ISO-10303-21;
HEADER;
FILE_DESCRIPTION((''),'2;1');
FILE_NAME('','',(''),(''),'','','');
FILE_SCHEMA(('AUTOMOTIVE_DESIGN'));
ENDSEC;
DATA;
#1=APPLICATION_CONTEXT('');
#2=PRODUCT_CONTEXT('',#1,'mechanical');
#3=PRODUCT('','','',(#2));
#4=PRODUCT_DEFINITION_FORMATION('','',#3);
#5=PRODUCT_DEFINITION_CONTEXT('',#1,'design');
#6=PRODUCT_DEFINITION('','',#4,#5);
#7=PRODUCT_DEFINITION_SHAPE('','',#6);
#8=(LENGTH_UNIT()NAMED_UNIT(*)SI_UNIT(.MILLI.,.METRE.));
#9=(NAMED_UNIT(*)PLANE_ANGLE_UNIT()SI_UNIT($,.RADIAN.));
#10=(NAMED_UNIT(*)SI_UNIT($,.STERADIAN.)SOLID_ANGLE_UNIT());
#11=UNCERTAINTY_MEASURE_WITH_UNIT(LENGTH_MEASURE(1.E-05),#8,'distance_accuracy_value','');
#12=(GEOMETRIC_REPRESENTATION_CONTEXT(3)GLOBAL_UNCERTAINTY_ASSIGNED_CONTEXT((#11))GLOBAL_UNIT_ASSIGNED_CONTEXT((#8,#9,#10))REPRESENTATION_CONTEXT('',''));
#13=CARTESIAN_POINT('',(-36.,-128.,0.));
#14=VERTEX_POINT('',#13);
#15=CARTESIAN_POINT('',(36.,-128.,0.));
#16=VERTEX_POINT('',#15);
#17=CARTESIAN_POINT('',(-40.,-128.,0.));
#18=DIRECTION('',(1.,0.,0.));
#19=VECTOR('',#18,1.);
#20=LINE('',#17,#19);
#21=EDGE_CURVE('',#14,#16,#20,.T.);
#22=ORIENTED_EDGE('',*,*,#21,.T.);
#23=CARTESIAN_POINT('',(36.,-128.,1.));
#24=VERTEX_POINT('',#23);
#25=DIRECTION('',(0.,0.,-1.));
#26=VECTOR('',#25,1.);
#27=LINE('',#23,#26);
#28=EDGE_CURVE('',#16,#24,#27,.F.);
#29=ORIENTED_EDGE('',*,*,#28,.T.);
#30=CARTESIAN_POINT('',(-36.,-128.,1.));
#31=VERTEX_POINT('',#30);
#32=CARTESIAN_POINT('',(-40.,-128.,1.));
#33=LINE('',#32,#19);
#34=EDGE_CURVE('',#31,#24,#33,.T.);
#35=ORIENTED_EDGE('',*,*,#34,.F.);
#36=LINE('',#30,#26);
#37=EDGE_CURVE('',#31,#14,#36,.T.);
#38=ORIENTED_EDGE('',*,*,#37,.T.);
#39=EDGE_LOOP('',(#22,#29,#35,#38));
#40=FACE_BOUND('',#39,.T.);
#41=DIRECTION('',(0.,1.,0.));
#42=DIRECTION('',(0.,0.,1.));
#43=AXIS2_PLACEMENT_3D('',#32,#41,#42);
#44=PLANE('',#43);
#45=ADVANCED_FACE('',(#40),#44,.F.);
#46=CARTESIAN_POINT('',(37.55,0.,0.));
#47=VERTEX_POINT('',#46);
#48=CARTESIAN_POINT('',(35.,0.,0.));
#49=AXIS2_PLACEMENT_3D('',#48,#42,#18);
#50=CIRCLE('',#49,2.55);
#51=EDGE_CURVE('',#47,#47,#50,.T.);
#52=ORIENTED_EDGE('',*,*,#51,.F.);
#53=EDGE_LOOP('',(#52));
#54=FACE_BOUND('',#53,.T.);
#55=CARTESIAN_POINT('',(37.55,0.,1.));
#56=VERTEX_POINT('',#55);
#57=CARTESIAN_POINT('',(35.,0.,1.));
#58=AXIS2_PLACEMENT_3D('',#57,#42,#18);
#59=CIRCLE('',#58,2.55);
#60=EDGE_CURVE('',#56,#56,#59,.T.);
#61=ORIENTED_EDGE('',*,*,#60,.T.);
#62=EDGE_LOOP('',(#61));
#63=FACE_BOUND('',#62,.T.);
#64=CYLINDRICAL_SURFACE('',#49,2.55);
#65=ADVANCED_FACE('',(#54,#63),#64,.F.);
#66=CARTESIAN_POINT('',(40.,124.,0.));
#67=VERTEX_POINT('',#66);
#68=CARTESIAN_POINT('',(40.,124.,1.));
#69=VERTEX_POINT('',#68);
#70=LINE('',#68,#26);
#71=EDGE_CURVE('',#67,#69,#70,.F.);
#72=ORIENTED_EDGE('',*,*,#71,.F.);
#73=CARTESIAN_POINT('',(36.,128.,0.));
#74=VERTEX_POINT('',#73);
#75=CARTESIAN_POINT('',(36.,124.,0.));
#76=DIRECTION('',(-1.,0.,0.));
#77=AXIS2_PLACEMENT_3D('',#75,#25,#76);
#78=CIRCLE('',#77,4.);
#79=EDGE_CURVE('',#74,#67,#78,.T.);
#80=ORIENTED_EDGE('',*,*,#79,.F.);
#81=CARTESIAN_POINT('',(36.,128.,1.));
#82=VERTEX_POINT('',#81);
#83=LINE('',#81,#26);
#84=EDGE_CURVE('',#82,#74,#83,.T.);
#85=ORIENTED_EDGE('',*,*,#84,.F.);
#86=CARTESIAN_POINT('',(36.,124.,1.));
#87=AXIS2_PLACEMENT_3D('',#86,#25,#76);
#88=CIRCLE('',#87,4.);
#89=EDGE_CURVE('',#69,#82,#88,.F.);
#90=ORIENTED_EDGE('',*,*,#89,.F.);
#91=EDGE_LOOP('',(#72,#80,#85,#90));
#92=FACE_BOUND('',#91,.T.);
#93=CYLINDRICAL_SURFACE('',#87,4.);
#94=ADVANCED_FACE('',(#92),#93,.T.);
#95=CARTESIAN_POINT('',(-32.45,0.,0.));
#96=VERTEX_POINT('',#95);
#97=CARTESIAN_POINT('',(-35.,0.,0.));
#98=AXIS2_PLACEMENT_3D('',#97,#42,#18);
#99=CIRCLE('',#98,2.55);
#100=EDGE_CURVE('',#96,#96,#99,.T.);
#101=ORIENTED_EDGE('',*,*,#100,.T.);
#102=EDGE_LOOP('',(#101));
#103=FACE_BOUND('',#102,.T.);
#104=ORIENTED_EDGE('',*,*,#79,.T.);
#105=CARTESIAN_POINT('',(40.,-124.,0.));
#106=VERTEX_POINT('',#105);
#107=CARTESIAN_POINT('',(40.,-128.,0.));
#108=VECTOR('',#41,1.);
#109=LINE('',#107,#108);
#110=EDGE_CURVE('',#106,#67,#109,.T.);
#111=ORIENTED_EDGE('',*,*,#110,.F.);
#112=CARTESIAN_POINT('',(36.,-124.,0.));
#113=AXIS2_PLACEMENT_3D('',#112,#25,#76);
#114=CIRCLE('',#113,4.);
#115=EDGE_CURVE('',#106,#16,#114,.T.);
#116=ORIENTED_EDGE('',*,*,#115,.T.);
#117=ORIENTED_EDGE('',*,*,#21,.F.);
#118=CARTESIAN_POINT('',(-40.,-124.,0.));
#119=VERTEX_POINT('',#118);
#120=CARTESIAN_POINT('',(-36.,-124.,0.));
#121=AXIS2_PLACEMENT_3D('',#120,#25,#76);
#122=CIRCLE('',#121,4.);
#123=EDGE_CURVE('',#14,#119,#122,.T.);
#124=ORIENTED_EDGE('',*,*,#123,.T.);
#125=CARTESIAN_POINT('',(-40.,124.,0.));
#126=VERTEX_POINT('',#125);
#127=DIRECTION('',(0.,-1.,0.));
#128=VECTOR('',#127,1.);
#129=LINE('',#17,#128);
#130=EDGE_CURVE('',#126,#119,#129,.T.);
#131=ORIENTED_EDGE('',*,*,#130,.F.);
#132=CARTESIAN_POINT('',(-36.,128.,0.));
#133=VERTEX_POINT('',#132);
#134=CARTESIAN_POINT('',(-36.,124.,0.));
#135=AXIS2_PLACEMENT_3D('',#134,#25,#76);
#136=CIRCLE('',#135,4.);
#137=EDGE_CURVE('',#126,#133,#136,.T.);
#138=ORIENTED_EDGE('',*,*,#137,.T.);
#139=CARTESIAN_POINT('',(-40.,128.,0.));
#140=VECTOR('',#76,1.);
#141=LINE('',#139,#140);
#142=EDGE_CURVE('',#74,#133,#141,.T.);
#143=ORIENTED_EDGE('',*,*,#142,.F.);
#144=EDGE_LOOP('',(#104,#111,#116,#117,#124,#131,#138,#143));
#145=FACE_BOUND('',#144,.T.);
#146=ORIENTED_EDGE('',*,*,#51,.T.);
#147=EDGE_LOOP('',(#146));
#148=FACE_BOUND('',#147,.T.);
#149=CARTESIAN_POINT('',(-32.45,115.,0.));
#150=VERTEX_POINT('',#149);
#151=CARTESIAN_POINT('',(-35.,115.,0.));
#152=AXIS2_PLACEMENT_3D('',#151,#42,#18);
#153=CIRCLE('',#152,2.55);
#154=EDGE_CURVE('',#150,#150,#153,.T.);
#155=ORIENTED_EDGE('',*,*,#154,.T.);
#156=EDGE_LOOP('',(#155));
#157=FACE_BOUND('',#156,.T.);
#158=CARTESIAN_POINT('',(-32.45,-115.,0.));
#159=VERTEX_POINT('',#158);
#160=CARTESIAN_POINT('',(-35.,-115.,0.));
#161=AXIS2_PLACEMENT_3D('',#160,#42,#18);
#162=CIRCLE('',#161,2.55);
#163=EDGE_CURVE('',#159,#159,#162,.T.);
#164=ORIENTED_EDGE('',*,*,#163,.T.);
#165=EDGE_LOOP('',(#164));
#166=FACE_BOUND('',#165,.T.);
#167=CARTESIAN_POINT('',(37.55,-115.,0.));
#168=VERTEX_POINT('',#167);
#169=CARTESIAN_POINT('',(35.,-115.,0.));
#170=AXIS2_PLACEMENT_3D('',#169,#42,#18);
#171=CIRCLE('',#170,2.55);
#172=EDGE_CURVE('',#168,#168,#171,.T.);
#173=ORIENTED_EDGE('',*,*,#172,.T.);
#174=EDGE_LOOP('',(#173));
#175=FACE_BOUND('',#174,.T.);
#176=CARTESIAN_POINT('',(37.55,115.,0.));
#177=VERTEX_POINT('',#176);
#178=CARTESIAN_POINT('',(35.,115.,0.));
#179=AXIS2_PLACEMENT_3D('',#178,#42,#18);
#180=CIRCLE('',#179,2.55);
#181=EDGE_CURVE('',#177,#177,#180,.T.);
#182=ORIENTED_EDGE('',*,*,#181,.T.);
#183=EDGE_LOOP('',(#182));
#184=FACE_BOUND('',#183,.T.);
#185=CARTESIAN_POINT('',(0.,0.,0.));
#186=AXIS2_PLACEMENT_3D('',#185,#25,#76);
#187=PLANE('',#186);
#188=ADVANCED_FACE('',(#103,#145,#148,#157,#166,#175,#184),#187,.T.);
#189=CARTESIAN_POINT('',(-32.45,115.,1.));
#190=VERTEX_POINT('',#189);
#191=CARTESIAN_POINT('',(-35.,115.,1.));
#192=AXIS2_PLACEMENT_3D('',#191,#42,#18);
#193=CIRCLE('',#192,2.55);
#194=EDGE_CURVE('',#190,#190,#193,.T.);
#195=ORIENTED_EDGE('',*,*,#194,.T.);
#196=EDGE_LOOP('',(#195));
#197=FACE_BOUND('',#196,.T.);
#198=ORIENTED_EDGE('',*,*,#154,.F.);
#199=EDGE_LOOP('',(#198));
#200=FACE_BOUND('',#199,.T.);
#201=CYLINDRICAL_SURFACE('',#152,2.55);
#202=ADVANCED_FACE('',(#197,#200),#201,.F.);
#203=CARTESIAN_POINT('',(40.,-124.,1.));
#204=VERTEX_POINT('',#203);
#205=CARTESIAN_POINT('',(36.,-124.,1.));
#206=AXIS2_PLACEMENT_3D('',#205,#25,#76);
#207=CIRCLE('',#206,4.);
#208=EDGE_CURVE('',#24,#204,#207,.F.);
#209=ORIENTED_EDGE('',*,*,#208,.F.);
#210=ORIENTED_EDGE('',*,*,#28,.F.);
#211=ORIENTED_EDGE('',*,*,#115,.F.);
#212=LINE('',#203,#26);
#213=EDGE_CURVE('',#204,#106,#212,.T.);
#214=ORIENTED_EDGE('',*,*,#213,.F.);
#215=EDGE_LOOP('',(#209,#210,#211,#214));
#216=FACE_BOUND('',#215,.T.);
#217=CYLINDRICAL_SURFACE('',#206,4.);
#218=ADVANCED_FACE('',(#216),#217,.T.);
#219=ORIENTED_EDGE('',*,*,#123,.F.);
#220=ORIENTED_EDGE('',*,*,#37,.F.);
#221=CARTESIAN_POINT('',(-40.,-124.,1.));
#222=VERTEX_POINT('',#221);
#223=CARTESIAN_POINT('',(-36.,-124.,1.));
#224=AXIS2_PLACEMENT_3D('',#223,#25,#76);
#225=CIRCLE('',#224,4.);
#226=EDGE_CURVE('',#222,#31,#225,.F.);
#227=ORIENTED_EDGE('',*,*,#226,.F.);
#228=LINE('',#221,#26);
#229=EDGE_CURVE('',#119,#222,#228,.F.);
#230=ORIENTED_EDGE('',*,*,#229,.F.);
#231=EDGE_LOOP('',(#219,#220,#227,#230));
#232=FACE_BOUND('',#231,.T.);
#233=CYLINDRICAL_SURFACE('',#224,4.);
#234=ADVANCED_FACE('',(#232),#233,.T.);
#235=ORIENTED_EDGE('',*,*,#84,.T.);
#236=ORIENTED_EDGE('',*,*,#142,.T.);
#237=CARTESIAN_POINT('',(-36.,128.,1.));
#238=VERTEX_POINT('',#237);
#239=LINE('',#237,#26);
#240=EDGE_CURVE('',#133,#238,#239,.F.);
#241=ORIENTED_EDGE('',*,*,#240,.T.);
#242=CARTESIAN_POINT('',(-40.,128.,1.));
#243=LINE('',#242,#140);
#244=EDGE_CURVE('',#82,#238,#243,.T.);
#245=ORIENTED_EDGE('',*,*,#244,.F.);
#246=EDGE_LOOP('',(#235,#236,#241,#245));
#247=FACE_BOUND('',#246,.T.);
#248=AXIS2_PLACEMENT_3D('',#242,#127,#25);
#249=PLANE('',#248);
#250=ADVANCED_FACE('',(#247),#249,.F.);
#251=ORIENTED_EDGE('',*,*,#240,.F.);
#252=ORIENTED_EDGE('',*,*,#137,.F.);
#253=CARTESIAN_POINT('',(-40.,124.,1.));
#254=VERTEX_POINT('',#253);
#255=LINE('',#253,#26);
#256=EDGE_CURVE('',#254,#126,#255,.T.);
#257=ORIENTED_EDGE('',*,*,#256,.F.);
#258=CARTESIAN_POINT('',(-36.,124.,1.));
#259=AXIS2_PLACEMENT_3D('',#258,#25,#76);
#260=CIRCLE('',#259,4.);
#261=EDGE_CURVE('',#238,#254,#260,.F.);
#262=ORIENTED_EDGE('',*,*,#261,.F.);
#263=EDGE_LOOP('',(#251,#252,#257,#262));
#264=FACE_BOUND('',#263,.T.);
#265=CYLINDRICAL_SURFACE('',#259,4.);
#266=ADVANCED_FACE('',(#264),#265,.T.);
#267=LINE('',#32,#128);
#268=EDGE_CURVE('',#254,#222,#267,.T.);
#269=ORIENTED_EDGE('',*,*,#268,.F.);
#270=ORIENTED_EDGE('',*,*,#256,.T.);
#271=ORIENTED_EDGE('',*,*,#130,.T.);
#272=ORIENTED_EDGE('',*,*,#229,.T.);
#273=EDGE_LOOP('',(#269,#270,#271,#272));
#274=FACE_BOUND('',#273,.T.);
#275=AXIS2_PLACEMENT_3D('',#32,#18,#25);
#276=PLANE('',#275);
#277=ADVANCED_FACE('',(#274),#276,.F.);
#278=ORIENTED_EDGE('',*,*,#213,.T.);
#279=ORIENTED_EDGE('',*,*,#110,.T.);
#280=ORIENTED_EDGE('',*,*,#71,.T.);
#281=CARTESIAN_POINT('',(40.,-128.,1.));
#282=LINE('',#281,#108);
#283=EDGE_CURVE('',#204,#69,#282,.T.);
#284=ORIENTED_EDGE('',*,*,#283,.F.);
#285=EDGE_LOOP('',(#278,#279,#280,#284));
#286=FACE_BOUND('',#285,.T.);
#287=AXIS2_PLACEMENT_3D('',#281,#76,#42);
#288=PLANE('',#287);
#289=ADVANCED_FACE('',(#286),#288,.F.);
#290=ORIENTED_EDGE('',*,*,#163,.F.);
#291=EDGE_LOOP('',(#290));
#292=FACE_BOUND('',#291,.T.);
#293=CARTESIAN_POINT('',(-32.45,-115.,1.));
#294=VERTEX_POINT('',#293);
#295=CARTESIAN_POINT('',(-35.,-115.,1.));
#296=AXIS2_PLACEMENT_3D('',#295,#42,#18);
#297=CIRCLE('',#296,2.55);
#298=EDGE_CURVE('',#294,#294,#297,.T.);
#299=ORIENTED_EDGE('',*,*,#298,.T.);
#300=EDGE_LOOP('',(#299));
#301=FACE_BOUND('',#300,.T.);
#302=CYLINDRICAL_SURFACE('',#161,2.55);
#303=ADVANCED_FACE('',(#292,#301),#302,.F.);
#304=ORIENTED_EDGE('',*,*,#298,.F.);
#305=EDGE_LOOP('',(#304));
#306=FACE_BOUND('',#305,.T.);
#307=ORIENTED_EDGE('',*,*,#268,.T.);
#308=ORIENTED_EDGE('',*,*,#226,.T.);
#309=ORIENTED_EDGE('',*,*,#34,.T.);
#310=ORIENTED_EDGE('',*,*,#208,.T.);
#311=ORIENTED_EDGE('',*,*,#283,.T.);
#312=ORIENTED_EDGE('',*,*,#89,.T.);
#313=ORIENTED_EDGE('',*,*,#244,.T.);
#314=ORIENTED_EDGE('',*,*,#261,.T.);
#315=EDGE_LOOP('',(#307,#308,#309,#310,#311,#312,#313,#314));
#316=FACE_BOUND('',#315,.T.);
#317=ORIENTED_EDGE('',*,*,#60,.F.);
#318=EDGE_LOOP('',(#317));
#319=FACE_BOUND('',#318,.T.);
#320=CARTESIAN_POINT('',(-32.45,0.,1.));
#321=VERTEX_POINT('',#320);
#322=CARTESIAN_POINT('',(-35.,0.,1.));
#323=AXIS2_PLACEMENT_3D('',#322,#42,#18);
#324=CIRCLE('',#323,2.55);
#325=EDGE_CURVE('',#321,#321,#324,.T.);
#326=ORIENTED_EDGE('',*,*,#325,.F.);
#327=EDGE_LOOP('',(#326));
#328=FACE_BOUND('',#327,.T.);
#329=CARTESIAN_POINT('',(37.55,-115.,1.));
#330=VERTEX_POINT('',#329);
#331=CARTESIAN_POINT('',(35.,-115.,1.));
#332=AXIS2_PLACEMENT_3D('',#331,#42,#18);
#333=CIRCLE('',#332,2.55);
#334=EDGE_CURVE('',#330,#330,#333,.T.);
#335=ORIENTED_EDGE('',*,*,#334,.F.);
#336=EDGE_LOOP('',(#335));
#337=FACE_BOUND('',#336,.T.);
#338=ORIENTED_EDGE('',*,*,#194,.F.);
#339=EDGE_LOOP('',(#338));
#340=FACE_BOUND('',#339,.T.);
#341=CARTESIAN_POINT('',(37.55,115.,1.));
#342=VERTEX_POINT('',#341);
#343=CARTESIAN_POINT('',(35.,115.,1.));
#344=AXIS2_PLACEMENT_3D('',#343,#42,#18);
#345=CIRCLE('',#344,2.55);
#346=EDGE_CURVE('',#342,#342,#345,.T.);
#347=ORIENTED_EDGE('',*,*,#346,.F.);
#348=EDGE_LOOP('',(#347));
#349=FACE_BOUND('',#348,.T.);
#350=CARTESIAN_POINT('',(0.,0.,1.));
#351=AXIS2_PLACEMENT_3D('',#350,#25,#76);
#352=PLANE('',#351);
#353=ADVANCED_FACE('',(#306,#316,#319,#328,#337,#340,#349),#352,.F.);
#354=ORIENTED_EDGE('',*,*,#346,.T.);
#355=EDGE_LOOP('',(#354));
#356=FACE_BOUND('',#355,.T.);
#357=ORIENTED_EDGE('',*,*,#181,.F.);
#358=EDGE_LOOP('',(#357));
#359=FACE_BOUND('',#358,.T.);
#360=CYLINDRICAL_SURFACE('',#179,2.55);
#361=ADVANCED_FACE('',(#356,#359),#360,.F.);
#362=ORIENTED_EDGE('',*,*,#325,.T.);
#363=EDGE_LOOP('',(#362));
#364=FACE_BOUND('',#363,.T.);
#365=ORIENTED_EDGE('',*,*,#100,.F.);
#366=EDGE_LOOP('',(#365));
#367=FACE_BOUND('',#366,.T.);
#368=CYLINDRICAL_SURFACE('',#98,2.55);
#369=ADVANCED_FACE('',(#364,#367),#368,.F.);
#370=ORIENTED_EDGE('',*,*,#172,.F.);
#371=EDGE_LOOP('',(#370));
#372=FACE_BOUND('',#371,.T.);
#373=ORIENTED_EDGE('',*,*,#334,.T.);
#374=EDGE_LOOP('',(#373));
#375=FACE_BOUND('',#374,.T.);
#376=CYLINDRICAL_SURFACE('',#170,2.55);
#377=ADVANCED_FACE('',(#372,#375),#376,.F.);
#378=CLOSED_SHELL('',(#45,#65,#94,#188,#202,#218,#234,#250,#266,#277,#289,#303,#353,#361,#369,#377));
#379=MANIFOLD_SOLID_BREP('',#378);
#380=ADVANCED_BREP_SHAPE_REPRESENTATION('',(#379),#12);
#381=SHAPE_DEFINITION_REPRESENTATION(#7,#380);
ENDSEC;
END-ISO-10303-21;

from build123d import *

# Parameters (mm, degrees)
SKETCH1_W           = 80
SKETCH1_H           = 256
BOSS_EXTRUDE1_DEPTH = 1
FILLET1_R           = 4
SKETCH2_R           = 2.55
CUT_EXTRUDE1_DEPTH  = 135.1081653


with BuildPart() as part:
    # Sketch1 → Boss-Extrude1 (new body)
    with BuildSketch(Plane.XY):
        Rectangle(SKETCH1_W, SKETCH1_H)
    extrude(amount=BOSS_EXTRUDE1_DEPTH)

    # Fillet1
    fillet1_edges = [part.edges().sort_by_distance(p)[0] for p in [
        (40, -128, 0.5),
        (-40, -128, 0.5),
        (-40, 128, 0.5),
        (40, 128, 0.5),
    ]]
    fillet(fillet1_edges, radius=FILLET1_R)

    # Sketch2 → Cut-Extrude1 (cut, through all)
    with BuildSketch(Plane.XY.offset(1)):
        with Locations((35, -115)):
            Circle(SKETCH2_R)
        with Locations((-35, -115)):
            Circle(SKETCH2_R)
        with Locations((-35, 0)):
            Circle(SKETCH2_R)
        with Locations((35, 0)):
            Circle(SKETCH2_R)
        with Locations((35, 115)):
            Circle(SKETCH2_R)
        with Locations((-35, 115)):
            Circle(SKETCH2_R)
    extrude(amount=-CUT_EXTRUDE1_DEPTH, mode=Mode.SUBTRACT)


solid = part.part
